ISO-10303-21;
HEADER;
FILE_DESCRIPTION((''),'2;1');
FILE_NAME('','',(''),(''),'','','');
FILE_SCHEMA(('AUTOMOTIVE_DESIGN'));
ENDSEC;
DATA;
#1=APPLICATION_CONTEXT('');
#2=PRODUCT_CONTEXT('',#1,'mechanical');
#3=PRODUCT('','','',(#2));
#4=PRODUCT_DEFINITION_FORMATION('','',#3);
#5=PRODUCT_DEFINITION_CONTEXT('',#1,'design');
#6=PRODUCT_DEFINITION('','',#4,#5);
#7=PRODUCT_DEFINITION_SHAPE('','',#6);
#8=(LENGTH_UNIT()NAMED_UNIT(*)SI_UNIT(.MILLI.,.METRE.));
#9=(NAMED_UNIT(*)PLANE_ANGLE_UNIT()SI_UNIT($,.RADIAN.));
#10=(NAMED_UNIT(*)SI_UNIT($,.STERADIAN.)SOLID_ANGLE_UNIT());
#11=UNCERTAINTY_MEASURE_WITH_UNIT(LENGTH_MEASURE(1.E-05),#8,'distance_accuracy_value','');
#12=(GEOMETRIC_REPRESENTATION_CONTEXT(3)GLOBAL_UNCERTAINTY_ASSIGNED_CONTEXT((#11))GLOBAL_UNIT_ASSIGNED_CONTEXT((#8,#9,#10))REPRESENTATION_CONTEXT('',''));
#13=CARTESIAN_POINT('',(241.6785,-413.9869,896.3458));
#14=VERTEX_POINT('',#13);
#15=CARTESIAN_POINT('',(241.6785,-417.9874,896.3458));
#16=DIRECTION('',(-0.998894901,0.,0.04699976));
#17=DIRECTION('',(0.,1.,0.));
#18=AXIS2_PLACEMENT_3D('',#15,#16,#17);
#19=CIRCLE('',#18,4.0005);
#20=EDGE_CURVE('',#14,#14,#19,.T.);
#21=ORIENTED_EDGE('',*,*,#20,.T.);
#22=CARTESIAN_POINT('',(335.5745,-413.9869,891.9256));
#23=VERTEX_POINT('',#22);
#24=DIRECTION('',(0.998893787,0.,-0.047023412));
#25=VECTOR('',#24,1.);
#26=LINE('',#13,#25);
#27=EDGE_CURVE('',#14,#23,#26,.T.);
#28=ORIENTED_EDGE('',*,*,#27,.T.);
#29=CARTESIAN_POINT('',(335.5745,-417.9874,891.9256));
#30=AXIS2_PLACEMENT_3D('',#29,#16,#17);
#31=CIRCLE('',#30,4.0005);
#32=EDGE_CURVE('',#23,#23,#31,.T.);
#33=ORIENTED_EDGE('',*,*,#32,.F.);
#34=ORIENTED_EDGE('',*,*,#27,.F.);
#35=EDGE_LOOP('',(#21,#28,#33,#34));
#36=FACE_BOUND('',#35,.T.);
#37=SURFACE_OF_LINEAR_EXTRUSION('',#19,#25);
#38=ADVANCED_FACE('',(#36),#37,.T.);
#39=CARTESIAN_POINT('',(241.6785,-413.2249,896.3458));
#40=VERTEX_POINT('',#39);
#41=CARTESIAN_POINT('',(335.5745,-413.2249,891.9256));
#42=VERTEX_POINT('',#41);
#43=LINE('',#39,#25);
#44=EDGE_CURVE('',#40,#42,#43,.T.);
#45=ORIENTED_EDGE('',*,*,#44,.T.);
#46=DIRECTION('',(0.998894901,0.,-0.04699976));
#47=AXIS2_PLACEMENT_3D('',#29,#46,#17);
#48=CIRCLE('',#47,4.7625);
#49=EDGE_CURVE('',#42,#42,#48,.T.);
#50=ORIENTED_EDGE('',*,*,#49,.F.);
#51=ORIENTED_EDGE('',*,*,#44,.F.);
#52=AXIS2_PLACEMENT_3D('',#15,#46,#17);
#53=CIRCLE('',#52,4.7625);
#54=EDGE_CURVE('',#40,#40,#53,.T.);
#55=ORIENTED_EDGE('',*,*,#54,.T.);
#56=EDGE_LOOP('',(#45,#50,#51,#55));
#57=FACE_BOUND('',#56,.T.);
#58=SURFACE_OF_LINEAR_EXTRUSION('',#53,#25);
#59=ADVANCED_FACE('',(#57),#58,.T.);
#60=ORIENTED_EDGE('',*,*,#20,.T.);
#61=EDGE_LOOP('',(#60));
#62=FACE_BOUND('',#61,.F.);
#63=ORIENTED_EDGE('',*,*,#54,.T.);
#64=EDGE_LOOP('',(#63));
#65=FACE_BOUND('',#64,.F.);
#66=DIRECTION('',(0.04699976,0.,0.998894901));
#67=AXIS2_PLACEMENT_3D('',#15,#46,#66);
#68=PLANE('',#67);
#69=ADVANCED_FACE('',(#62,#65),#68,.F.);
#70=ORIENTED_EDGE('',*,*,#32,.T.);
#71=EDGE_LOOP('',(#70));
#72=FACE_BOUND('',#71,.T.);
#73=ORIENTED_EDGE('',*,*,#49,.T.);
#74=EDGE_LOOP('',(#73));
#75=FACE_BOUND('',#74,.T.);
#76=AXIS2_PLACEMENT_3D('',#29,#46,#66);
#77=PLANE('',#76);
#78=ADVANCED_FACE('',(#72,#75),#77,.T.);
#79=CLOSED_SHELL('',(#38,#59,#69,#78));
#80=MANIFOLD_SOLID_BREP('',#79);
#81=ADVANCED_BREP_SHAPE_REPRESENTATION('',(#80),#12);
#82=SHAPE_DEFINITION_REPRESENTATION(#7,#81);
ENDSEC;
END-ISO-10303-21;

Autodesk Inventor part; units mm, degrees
ref_plane "YZ Plane" through (0, 0, 0) normal (1, 0, 0) x (0, 1, 0)
ref_plane "XZ Plane" through (0, 0, 0) normal (0, 1, 0) x (-1, 0, 0)
ref_plane "Work Plane4" through (241.6785, -417.9874, 896.3458) normal (0.9989, 0, -0.047) x (0, 1, 0)
sketch "Sketch6" plane through (241.6785, -417.9874, 896.3458) normal (0.9989, 0, -0.047) x (0, 1, 0)
  circle A0 centre (0, 0) radius 4.7625
  circle A1 centre (0, 0) radius 4.0005
sketch3d "3D Sketch4"
  line L0 (241.6785, -417.9874, 896.3458) -> (335.5745, -417.9874, 891.9256)
sweep "Sweep4" add profiles "Sketch6" path "3D Sketch4"
equation "\"OD\" = 9.525"
equation "\"t\" = 0.762"
equation "\"L\" = PL"
equation "\"ID\" = 8.001"
equation "\"PL\" = 94.0054"
equation "\"Size_Designation\" = 1.2345"
properties material "Copper"
